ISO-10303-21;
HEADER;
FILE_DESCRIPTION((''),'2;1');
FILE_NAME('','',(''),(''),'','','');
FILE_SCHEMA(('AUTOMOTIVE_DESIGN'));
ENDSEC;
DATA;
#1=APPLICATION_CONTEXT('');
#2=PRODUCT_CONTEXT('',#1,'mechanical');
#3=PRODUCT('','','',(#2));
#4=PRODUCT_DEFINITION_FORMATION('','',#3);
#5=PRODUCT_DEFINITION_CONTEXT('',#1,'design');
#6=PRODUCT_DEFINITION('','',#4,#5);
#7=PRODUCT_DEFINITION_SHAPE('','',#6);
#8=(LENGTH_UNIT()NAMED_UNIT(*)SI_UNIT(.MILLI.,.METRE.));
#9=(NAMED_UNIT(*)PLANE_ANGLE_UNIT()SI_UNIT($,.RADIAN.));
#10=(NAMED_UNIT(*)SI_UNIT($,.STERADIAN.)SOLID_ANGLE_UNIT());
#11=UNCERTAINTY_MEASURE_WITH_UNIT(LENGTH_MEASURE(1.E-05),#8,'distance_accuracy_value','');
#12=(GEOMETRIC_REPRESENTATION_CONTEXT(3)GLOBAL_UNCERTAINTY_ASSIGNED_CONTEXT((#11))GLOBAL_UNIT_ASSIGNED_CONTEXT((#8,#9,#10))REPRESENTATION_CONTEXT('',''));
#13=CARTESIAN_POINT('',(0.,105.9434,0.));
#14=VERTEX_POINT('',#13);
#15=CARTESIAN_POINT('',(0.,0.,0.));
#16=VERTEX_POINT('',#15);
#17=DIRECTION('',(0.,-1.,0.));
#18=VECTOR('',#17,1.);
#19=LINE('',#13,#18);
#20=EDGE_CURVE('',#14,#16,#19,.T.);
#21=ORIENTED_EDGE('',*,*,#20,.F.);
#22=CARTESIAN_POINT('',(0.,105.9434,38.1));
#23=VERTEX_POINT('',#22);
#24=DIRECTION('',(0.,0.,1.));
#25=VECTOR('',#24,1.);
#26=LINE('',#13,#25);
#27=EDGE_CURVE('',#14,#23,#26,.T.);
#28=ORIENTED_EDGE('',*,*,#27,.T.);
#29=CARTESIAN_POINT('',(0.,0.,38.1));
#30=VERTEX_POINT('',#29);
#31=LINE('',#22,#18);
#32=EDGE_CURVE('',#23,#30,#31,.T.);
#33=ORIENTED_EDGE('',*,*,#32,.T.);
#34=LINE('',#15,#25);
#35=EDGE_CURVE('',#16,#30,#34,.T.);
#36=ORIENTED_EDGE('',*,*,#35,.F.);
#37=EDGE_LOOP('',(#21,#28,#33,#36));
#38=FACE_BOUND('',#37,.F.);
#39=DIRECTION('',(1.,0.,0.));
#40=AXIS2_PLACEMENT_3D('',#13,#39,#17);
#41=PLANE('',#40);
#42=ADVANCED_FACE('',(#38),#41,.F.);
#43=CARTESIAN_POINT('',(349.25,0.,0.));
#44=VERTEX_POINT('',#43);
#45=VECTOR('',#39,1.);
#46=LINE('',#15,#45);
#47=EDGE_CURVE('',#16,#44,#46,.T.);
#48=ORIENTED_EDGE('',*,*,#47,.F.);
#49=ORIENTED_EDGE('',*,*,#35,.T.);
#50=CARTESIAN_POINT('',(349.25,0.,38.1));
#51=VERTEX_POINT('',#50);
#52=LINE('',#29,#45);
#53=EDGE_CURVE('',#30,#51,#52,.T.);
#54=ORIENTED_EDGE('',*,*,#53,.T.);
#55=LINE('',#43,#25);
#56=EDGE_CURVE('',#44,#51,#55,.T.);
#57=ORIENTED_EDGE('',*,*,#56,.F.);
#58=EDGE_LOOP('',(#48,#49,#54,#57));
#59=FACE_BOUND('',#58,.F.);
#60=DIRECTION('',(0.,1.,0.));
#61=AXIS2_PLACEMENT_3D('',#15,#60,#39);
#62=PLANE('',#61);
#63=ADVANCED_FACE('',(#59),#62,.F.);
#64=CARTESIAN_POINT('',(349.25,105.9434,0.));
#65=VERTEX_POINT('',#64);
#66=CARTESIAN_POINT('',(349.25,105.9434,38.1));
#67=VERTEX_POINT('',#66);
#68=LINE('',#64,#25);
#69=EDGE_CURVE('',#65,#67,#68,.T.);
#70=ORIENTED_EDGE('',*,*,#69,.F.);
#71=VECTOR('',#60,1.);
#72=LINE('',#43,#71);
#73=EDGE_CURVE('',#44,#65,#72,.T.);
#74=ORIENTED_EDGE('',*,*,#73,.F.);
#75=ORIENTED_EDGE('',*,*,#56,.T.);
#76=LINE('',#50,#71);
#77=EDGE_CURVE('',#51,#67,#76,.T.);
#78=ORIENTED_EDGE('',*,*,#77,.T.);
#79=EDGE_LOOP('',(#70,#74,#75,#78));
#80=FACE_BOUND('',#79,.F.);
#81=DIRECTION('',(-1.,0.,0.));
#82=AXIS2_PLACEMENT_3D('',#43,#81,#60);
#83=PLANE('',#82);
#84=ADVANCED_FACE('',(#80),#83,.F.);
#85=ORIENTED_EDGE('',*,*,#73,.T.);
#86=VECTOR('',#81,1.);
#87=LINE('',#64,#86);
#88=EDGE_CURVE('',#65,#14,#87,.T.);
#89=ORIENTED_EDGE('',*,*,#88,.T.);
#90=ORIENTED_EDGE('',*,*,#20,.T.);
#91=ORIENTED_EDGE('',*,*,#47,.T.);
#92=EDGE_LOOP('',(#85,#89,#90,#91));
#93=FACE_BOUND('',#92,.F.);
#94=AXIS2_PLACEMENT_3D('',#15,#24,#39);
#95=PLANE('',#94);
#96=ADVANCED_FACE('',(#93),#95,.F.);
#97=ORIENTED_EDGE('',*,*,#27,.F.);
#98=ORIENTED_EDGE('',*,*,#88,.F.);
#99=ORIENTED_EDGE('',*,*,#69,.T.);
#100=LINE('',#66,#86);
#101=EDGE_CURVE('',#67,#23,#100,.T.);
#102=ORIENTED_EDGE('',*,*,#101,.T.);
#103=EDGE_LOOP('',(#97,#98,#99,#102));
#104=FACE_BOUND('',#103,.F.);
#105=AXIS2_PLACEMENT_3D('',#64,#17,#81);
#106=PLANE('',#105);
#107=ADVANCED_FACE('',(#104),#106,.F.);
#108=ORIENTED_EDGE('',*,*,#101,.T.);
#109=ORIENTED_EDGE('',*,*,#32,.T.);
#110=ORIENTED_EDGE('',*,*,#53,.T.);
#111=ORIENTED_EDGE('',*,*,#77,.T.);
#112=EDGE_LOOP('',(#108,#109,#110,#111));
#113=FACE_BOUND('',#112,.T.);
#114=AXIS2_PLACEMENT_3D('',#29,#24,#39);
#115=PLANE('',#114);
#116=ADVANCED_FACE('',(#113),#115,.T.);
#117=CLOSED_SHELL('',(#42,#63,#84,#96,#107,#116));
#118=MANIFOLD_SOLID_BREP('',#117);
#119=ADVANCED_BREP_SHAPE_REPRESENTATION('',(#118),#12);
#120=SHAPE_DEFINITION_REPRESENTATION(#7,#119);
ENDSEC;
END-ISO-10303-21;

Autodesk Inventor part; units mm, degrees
ref_plane "YZ Plane" through (0, 0, 0) normal (1, 0, 0) x (0, 1, 0)
ref_plane "XZ Plane" through (0, 0, 0) normal (0, 1, 0) x (-1, 0, 0)
ref_plane "XY Plane" through (0, 0, 0) normal (0, 0, 1) x (1, 0, 0)
sketch "Sketch1" plane through (0, 0, 0) normal (0, 0, 1) x (1, 0, 0)
  line L0 (0, 0) -> (349.25, 0)
  line L1 (349.25, 0) -> (349.25, 105.9434)
  line L2 (349.25, 105.9434) -> (0, 105.9434)
  line L3 (0, 105.9434) -> (0, 0)
  dimension "d2" = 105.9434
  dimension "d3" = 349.25
extrude "Extrusion1" add sketch "Sketch1" along normal blind 38.1
properties part number "Block" material "Wood (Birch)"
